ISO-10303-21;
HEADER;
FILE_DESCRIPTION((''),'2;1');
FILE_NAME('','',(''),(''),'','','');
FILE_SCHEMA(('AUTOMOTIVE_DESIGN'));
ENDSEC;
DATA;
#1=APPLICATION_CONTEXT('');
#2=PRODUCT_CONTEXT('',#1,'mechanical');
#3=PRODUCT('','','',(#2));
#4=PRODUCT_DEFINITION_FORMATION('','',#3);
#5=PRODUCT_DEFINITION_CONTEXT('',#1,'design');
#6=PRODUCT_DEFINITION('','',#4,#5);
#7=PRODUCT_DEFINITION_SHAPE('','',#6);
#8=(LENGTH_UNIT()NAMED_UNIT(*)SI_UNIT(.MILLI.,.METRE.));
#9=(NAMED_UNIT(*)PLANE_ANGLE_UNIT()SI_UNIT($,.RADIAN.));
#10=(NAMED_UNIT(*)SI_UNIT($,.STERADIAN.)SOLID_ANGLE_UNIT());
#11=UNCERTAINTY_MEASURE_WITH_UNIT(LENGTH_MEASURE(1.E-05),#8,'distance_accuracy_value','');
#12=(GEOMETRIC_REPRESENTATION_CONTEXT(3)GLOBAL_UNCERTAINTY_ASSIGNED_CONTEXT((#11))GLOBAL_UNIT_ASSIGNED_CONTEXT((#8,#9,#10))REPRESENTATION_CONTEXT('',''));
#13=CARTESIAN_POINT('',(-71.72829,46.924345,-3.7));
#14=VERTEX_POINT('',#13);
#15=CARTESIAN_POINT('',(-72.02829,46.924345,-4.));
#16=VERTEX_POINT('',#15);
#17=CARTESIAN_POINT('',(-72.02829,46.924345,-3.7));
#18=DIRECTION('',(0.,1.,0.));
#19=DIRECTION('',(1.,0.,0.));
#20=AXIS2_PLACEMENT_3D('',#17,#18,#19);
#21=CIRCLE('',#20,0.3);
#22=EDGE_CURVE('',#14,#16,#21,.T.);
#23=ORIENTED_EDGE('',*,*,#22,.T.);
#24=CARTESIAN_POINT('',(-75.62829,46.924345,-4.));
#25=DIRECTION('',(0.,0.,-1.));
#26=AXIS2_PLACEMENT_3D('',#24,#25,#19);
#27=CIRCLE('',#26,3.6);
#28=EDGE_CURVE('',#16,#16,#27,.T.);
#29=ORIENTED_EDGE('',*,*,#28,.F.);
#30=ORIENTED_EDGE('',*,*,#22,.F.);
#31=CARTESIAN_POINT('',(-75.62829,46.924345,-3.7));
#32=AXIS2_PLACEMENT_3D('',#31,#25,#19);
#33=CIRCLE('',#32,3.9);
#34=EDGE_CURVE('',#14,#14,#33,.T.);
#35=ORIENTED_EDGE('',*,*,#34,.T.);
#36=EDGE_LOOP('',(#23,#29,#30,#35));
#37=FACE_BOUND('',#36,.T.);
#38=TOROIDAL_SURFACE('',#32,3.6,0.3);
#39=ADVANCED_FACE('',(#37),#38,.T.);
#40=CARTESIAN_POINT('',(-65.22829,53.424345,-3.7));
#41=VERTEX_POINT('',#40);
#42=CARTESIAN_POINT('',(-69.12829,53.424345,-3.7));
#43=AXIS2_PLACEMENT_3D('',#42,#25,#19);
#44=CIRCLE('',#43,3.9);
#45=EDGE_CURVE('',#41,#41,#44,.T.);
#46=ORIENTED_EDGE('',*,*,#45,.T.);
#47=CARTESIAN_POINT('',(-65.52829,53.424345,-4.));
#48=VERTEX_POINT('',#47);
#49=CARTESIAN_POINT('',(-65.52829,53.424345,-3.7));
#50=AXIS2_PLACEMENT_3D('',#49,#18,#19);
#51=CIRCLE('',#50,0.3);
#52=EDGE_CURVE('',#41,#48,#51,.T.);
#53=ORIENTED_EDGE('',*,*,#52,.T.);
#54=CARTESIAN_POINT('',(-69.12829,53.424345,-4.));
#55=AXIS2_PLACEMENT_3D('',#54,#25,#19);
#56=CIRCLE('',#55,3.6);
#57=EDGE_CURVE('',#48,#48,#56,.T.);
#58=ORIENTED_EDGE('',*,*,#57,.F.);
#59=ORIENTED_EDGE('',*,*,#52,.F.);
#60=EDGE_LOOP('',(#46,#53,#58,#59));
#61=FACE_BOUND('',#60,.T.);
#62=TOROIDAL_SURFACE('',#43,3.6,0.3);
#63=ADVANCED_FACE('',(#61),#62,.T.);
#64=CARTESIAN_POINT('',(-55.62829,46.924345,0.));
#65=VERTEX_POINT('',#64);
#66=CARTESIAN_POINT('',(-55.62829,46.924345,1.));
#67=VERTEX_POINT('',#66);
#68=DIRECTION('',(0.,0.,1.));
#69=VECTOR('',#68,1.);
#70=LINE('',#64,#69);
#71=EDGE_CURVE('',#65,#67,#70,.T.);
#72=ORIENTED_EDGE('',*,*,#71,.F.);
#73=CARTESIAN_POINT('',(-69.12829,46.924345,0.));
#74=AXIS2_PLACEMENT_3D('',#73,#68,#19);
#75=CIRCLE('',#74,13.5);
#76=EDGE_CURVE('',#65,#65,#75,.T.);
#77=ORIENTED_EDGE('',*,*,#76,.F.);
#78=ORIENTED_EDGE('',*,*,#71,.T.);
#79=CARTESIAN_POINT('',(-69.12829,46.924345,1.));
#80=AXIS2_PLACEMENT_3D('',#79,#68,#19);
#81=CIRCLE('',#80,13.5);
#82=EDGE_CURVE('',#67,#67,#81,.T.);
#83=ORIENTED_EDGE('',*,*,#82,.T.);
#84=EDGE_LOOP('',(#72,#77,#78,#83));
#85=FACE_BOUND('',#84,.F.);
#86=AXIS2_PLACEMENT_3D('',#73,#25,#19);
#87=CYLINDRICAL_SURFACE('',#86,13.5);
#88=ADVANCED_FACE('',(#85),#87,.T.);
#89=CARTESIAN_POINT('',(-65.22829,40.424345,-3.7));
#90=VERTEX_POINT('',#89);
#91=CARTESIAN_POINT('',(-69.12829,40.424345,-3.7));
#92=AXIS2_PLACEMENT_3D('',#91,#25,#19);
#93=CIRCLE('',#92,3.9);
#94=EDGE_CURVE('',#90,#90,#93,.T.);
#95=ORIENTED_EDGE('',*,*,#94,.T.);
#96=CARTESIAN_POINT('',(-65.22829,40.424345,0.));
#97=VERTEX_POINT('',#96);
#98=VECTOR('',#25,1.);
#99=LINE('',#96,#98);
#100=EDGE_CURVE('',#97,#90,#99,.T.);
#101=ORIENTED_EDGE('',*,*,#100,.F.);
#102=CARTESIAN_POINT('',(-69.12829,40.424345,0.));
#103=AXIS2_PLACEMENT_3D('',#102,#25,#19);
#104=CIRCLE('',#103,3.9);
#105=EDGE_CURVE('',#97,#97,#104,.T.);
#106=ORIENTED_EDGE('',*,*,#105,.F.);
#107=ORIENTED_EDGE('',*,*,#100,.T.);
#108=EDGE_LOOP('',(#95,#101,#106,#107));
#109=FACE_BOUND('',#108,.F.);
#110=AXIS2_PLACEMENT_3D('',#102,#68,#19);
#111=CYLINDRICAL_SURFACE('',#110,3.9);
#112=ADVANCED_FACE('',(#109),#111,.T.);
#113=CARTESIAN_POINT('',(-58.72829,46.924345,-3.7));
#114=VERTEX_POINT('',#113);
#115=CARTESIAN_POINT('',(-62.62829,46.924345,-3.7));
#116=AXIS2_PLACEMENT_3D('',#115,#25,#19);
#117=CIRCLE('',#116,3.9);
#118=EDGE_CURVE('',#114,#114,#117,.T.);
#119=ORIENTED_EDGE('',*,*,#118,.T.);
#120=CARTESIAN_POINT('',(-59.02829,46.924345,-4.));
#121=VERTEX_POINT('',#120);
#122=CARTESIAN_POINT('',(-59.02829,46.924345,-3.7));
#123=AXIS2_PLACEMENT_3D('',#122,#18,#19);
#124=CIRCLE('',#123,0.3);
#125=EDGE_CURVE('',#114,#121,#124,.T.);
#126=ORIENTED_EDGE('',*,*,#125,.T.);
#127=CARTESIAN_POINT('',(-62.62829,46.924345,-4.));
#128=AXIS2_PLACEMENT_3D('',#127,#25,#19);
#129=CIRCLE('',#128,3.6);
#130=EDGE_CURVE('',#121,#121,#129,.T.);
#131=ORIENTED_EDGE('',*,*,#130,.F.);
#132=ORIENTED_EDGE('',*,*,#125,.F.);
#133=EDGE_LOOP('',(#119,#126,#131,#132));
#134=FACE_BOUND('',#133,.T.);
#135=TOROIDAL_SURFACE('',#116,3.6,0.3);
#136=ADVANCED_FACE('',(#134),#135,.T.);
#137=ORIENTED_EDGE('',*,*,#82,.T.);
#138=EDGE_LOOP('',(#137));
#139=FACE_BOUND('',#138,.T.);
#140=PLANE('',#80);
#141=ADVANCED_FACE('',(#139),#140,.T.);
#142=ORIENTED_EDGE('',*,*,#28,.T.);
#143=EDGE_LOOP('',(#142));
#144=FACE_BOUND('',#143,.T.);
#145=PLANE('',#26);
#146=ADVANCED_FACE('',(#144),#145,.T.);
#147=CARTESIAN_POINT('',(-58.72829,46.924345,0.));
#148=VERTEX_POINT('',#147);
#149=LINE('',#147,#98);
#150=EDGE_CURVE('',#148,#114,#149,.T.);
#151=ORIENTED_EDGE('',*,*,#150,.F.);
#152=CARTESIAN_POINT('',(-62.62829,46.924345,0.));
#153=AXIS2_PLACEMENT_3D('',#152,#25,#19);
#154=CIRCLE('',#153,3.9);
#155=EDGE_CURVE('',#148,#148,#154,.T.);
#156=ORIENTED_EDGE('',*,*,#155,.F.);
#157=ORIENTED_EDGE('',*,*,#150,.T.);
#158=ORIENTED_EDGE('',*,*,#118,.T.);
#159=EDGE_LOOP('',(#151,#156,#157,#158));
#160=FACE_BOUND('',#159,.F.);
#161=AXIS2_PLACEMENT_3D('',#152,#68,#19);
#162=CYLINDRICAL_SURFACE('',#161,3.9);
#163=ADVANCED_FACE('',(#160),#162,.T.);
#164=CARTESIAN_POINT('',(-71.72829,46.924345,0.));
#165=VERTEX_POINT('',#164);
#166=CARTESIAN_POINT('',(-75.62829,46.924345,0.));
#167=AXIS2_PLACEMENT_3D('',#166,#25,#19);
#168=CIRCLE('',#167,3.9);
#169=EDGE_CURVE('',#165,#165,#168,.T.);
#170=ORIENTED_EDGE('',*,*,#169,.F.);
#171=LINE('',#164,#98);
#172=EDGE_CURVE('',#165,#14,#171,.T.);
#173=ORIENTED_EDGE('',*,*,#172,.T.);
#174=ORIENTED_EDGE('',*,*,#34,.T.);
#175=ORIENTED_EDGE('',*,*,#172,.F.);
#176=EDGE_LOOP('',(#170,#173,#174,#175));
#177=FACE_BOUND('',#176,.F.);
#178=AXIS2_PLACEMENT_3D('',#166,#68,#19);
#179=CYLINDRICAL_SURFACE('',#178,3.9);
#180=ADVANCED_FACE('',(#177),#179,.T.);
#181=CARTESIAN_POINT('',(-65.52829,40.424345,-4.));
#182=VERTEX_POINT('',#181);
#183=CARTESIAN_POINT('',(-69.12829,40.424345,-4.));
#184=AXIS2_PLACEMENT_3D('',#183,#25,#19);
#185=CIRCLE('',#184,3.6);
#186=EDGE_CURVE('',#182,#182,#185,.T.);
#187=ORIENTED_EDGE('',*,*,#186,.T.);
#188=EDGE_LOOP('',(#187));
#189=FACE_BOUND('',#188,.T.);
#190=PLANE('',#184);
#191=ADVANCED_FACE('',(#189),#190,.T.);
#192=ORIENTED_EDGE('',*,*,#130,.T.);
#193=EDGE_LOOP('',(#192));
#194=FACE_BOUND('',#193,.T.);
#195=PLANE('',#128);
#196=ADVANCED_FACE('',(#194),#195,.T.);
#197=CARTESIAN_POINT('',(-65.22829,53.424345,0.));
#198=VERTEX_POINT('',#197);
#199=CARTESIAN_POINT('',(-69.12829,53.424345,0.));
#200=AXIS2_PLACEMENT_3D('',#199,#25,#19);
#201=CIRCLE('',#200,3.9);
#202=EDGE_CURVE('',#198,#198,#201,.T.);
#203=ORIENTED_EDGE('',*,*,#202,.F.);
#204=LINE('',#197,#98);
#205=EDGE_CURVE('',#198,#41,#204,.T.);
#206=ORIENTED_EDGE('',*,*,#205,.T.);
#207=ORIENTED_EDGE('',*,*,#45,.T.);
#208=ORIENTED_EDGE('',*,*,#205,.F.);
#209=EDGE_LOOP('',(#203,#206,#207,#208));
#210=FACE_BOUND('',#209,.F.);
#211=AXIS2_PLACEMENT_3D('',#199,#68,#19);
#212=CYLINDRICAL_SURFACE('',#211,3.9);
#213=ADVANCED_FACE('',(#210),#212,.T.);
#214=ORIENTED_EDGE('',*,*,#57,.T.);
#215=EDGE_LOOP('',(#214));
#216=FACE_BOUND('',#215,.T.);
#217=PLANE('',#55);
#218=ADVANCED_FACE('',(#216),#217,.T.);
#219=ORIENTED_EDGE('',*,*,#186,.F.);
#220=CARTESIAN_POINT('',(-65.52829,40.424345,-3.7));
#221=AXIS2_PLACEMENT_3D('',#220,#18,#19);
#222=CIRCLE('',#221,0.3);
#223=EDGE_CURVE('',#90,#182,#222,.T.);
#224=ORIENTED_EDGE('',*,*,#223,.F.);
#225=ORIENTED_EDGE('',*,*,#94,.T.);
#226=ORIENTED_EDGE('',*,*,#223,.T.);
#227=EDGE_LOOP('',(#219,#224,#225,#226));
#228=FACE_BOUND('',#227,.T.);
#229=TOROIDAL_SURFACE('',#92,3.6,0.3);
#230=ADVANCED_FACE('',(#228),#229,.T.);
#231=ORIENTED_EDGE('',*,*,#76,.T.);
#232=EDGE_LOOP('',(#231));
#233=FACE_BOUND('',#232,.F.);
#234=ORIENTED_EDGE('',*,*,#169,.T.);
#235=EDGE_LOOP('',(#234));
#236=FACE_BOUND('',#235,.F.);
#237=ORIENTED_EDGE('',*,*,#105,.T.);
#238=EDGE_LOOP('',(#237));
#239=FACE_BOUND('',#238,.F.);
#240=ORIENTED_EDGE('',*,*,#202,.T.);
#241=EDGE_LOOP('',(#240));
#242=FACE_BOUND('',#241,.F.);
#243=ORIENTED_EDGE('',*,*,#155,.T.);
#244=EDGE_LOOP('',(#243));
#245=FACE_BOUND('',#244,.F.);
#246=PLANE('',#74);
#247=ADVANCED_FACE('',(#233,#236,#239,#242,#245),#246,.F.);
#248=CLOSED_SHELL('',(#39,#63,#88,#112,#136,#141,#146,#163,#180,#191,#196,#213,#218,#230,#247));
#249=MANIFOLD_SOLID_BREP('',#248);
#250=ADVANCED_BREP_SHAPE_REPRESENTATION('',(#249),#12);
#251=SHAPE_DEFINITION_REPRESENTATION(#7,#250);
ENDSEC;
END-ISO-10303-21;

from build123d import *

# Parameters (mm, degrees)
F0_R     = 13.5
F1_DEPTH = 1
F2_R     = 3.9
F3_DEPTH = 4
F4_R     = 0.3


with BuildPart() as f1:
    # F0 (on Top) → F1 (new body)
    with BuildSketch(Plane.XY):
        with Locations((-69.12829, 46.924345)):
            Circle(F0_R)
    extrude(amount=F1_DEPTH)

    # F2 (on face) → F3 (join)
    with BuildSketch(Plane(origin=(0, 0, 0), x_dir=(1, 0, 0), z_dir=(0, 0, -1))):
        with Locations((-62.62829, -46.924345)):
            Circle(F2_R)
        with Locations((-69.12829, -40.424345)):
            Circle(F2_R)
        with Locations((-75.62829, -46.924345)):
            Circle(F2_R)
        with Locations((-69.12829, -53.424345)):
            Circle(F2_R)
    extrude(amount=F3_DEPTH)

    # F4
    f4_edges = [f1.edges().sort_by_distance(p)[0] for p in [
        (-73.02829, 53.424345, -4),
        (-66.52829, 46.924345, -4),
        (-73.02829, 40.424345, -4),
        (-79.52829, 46.924345, -4),
    ]]
    fillet(f4_edges, radius=F4_R)


solid = f1.part
